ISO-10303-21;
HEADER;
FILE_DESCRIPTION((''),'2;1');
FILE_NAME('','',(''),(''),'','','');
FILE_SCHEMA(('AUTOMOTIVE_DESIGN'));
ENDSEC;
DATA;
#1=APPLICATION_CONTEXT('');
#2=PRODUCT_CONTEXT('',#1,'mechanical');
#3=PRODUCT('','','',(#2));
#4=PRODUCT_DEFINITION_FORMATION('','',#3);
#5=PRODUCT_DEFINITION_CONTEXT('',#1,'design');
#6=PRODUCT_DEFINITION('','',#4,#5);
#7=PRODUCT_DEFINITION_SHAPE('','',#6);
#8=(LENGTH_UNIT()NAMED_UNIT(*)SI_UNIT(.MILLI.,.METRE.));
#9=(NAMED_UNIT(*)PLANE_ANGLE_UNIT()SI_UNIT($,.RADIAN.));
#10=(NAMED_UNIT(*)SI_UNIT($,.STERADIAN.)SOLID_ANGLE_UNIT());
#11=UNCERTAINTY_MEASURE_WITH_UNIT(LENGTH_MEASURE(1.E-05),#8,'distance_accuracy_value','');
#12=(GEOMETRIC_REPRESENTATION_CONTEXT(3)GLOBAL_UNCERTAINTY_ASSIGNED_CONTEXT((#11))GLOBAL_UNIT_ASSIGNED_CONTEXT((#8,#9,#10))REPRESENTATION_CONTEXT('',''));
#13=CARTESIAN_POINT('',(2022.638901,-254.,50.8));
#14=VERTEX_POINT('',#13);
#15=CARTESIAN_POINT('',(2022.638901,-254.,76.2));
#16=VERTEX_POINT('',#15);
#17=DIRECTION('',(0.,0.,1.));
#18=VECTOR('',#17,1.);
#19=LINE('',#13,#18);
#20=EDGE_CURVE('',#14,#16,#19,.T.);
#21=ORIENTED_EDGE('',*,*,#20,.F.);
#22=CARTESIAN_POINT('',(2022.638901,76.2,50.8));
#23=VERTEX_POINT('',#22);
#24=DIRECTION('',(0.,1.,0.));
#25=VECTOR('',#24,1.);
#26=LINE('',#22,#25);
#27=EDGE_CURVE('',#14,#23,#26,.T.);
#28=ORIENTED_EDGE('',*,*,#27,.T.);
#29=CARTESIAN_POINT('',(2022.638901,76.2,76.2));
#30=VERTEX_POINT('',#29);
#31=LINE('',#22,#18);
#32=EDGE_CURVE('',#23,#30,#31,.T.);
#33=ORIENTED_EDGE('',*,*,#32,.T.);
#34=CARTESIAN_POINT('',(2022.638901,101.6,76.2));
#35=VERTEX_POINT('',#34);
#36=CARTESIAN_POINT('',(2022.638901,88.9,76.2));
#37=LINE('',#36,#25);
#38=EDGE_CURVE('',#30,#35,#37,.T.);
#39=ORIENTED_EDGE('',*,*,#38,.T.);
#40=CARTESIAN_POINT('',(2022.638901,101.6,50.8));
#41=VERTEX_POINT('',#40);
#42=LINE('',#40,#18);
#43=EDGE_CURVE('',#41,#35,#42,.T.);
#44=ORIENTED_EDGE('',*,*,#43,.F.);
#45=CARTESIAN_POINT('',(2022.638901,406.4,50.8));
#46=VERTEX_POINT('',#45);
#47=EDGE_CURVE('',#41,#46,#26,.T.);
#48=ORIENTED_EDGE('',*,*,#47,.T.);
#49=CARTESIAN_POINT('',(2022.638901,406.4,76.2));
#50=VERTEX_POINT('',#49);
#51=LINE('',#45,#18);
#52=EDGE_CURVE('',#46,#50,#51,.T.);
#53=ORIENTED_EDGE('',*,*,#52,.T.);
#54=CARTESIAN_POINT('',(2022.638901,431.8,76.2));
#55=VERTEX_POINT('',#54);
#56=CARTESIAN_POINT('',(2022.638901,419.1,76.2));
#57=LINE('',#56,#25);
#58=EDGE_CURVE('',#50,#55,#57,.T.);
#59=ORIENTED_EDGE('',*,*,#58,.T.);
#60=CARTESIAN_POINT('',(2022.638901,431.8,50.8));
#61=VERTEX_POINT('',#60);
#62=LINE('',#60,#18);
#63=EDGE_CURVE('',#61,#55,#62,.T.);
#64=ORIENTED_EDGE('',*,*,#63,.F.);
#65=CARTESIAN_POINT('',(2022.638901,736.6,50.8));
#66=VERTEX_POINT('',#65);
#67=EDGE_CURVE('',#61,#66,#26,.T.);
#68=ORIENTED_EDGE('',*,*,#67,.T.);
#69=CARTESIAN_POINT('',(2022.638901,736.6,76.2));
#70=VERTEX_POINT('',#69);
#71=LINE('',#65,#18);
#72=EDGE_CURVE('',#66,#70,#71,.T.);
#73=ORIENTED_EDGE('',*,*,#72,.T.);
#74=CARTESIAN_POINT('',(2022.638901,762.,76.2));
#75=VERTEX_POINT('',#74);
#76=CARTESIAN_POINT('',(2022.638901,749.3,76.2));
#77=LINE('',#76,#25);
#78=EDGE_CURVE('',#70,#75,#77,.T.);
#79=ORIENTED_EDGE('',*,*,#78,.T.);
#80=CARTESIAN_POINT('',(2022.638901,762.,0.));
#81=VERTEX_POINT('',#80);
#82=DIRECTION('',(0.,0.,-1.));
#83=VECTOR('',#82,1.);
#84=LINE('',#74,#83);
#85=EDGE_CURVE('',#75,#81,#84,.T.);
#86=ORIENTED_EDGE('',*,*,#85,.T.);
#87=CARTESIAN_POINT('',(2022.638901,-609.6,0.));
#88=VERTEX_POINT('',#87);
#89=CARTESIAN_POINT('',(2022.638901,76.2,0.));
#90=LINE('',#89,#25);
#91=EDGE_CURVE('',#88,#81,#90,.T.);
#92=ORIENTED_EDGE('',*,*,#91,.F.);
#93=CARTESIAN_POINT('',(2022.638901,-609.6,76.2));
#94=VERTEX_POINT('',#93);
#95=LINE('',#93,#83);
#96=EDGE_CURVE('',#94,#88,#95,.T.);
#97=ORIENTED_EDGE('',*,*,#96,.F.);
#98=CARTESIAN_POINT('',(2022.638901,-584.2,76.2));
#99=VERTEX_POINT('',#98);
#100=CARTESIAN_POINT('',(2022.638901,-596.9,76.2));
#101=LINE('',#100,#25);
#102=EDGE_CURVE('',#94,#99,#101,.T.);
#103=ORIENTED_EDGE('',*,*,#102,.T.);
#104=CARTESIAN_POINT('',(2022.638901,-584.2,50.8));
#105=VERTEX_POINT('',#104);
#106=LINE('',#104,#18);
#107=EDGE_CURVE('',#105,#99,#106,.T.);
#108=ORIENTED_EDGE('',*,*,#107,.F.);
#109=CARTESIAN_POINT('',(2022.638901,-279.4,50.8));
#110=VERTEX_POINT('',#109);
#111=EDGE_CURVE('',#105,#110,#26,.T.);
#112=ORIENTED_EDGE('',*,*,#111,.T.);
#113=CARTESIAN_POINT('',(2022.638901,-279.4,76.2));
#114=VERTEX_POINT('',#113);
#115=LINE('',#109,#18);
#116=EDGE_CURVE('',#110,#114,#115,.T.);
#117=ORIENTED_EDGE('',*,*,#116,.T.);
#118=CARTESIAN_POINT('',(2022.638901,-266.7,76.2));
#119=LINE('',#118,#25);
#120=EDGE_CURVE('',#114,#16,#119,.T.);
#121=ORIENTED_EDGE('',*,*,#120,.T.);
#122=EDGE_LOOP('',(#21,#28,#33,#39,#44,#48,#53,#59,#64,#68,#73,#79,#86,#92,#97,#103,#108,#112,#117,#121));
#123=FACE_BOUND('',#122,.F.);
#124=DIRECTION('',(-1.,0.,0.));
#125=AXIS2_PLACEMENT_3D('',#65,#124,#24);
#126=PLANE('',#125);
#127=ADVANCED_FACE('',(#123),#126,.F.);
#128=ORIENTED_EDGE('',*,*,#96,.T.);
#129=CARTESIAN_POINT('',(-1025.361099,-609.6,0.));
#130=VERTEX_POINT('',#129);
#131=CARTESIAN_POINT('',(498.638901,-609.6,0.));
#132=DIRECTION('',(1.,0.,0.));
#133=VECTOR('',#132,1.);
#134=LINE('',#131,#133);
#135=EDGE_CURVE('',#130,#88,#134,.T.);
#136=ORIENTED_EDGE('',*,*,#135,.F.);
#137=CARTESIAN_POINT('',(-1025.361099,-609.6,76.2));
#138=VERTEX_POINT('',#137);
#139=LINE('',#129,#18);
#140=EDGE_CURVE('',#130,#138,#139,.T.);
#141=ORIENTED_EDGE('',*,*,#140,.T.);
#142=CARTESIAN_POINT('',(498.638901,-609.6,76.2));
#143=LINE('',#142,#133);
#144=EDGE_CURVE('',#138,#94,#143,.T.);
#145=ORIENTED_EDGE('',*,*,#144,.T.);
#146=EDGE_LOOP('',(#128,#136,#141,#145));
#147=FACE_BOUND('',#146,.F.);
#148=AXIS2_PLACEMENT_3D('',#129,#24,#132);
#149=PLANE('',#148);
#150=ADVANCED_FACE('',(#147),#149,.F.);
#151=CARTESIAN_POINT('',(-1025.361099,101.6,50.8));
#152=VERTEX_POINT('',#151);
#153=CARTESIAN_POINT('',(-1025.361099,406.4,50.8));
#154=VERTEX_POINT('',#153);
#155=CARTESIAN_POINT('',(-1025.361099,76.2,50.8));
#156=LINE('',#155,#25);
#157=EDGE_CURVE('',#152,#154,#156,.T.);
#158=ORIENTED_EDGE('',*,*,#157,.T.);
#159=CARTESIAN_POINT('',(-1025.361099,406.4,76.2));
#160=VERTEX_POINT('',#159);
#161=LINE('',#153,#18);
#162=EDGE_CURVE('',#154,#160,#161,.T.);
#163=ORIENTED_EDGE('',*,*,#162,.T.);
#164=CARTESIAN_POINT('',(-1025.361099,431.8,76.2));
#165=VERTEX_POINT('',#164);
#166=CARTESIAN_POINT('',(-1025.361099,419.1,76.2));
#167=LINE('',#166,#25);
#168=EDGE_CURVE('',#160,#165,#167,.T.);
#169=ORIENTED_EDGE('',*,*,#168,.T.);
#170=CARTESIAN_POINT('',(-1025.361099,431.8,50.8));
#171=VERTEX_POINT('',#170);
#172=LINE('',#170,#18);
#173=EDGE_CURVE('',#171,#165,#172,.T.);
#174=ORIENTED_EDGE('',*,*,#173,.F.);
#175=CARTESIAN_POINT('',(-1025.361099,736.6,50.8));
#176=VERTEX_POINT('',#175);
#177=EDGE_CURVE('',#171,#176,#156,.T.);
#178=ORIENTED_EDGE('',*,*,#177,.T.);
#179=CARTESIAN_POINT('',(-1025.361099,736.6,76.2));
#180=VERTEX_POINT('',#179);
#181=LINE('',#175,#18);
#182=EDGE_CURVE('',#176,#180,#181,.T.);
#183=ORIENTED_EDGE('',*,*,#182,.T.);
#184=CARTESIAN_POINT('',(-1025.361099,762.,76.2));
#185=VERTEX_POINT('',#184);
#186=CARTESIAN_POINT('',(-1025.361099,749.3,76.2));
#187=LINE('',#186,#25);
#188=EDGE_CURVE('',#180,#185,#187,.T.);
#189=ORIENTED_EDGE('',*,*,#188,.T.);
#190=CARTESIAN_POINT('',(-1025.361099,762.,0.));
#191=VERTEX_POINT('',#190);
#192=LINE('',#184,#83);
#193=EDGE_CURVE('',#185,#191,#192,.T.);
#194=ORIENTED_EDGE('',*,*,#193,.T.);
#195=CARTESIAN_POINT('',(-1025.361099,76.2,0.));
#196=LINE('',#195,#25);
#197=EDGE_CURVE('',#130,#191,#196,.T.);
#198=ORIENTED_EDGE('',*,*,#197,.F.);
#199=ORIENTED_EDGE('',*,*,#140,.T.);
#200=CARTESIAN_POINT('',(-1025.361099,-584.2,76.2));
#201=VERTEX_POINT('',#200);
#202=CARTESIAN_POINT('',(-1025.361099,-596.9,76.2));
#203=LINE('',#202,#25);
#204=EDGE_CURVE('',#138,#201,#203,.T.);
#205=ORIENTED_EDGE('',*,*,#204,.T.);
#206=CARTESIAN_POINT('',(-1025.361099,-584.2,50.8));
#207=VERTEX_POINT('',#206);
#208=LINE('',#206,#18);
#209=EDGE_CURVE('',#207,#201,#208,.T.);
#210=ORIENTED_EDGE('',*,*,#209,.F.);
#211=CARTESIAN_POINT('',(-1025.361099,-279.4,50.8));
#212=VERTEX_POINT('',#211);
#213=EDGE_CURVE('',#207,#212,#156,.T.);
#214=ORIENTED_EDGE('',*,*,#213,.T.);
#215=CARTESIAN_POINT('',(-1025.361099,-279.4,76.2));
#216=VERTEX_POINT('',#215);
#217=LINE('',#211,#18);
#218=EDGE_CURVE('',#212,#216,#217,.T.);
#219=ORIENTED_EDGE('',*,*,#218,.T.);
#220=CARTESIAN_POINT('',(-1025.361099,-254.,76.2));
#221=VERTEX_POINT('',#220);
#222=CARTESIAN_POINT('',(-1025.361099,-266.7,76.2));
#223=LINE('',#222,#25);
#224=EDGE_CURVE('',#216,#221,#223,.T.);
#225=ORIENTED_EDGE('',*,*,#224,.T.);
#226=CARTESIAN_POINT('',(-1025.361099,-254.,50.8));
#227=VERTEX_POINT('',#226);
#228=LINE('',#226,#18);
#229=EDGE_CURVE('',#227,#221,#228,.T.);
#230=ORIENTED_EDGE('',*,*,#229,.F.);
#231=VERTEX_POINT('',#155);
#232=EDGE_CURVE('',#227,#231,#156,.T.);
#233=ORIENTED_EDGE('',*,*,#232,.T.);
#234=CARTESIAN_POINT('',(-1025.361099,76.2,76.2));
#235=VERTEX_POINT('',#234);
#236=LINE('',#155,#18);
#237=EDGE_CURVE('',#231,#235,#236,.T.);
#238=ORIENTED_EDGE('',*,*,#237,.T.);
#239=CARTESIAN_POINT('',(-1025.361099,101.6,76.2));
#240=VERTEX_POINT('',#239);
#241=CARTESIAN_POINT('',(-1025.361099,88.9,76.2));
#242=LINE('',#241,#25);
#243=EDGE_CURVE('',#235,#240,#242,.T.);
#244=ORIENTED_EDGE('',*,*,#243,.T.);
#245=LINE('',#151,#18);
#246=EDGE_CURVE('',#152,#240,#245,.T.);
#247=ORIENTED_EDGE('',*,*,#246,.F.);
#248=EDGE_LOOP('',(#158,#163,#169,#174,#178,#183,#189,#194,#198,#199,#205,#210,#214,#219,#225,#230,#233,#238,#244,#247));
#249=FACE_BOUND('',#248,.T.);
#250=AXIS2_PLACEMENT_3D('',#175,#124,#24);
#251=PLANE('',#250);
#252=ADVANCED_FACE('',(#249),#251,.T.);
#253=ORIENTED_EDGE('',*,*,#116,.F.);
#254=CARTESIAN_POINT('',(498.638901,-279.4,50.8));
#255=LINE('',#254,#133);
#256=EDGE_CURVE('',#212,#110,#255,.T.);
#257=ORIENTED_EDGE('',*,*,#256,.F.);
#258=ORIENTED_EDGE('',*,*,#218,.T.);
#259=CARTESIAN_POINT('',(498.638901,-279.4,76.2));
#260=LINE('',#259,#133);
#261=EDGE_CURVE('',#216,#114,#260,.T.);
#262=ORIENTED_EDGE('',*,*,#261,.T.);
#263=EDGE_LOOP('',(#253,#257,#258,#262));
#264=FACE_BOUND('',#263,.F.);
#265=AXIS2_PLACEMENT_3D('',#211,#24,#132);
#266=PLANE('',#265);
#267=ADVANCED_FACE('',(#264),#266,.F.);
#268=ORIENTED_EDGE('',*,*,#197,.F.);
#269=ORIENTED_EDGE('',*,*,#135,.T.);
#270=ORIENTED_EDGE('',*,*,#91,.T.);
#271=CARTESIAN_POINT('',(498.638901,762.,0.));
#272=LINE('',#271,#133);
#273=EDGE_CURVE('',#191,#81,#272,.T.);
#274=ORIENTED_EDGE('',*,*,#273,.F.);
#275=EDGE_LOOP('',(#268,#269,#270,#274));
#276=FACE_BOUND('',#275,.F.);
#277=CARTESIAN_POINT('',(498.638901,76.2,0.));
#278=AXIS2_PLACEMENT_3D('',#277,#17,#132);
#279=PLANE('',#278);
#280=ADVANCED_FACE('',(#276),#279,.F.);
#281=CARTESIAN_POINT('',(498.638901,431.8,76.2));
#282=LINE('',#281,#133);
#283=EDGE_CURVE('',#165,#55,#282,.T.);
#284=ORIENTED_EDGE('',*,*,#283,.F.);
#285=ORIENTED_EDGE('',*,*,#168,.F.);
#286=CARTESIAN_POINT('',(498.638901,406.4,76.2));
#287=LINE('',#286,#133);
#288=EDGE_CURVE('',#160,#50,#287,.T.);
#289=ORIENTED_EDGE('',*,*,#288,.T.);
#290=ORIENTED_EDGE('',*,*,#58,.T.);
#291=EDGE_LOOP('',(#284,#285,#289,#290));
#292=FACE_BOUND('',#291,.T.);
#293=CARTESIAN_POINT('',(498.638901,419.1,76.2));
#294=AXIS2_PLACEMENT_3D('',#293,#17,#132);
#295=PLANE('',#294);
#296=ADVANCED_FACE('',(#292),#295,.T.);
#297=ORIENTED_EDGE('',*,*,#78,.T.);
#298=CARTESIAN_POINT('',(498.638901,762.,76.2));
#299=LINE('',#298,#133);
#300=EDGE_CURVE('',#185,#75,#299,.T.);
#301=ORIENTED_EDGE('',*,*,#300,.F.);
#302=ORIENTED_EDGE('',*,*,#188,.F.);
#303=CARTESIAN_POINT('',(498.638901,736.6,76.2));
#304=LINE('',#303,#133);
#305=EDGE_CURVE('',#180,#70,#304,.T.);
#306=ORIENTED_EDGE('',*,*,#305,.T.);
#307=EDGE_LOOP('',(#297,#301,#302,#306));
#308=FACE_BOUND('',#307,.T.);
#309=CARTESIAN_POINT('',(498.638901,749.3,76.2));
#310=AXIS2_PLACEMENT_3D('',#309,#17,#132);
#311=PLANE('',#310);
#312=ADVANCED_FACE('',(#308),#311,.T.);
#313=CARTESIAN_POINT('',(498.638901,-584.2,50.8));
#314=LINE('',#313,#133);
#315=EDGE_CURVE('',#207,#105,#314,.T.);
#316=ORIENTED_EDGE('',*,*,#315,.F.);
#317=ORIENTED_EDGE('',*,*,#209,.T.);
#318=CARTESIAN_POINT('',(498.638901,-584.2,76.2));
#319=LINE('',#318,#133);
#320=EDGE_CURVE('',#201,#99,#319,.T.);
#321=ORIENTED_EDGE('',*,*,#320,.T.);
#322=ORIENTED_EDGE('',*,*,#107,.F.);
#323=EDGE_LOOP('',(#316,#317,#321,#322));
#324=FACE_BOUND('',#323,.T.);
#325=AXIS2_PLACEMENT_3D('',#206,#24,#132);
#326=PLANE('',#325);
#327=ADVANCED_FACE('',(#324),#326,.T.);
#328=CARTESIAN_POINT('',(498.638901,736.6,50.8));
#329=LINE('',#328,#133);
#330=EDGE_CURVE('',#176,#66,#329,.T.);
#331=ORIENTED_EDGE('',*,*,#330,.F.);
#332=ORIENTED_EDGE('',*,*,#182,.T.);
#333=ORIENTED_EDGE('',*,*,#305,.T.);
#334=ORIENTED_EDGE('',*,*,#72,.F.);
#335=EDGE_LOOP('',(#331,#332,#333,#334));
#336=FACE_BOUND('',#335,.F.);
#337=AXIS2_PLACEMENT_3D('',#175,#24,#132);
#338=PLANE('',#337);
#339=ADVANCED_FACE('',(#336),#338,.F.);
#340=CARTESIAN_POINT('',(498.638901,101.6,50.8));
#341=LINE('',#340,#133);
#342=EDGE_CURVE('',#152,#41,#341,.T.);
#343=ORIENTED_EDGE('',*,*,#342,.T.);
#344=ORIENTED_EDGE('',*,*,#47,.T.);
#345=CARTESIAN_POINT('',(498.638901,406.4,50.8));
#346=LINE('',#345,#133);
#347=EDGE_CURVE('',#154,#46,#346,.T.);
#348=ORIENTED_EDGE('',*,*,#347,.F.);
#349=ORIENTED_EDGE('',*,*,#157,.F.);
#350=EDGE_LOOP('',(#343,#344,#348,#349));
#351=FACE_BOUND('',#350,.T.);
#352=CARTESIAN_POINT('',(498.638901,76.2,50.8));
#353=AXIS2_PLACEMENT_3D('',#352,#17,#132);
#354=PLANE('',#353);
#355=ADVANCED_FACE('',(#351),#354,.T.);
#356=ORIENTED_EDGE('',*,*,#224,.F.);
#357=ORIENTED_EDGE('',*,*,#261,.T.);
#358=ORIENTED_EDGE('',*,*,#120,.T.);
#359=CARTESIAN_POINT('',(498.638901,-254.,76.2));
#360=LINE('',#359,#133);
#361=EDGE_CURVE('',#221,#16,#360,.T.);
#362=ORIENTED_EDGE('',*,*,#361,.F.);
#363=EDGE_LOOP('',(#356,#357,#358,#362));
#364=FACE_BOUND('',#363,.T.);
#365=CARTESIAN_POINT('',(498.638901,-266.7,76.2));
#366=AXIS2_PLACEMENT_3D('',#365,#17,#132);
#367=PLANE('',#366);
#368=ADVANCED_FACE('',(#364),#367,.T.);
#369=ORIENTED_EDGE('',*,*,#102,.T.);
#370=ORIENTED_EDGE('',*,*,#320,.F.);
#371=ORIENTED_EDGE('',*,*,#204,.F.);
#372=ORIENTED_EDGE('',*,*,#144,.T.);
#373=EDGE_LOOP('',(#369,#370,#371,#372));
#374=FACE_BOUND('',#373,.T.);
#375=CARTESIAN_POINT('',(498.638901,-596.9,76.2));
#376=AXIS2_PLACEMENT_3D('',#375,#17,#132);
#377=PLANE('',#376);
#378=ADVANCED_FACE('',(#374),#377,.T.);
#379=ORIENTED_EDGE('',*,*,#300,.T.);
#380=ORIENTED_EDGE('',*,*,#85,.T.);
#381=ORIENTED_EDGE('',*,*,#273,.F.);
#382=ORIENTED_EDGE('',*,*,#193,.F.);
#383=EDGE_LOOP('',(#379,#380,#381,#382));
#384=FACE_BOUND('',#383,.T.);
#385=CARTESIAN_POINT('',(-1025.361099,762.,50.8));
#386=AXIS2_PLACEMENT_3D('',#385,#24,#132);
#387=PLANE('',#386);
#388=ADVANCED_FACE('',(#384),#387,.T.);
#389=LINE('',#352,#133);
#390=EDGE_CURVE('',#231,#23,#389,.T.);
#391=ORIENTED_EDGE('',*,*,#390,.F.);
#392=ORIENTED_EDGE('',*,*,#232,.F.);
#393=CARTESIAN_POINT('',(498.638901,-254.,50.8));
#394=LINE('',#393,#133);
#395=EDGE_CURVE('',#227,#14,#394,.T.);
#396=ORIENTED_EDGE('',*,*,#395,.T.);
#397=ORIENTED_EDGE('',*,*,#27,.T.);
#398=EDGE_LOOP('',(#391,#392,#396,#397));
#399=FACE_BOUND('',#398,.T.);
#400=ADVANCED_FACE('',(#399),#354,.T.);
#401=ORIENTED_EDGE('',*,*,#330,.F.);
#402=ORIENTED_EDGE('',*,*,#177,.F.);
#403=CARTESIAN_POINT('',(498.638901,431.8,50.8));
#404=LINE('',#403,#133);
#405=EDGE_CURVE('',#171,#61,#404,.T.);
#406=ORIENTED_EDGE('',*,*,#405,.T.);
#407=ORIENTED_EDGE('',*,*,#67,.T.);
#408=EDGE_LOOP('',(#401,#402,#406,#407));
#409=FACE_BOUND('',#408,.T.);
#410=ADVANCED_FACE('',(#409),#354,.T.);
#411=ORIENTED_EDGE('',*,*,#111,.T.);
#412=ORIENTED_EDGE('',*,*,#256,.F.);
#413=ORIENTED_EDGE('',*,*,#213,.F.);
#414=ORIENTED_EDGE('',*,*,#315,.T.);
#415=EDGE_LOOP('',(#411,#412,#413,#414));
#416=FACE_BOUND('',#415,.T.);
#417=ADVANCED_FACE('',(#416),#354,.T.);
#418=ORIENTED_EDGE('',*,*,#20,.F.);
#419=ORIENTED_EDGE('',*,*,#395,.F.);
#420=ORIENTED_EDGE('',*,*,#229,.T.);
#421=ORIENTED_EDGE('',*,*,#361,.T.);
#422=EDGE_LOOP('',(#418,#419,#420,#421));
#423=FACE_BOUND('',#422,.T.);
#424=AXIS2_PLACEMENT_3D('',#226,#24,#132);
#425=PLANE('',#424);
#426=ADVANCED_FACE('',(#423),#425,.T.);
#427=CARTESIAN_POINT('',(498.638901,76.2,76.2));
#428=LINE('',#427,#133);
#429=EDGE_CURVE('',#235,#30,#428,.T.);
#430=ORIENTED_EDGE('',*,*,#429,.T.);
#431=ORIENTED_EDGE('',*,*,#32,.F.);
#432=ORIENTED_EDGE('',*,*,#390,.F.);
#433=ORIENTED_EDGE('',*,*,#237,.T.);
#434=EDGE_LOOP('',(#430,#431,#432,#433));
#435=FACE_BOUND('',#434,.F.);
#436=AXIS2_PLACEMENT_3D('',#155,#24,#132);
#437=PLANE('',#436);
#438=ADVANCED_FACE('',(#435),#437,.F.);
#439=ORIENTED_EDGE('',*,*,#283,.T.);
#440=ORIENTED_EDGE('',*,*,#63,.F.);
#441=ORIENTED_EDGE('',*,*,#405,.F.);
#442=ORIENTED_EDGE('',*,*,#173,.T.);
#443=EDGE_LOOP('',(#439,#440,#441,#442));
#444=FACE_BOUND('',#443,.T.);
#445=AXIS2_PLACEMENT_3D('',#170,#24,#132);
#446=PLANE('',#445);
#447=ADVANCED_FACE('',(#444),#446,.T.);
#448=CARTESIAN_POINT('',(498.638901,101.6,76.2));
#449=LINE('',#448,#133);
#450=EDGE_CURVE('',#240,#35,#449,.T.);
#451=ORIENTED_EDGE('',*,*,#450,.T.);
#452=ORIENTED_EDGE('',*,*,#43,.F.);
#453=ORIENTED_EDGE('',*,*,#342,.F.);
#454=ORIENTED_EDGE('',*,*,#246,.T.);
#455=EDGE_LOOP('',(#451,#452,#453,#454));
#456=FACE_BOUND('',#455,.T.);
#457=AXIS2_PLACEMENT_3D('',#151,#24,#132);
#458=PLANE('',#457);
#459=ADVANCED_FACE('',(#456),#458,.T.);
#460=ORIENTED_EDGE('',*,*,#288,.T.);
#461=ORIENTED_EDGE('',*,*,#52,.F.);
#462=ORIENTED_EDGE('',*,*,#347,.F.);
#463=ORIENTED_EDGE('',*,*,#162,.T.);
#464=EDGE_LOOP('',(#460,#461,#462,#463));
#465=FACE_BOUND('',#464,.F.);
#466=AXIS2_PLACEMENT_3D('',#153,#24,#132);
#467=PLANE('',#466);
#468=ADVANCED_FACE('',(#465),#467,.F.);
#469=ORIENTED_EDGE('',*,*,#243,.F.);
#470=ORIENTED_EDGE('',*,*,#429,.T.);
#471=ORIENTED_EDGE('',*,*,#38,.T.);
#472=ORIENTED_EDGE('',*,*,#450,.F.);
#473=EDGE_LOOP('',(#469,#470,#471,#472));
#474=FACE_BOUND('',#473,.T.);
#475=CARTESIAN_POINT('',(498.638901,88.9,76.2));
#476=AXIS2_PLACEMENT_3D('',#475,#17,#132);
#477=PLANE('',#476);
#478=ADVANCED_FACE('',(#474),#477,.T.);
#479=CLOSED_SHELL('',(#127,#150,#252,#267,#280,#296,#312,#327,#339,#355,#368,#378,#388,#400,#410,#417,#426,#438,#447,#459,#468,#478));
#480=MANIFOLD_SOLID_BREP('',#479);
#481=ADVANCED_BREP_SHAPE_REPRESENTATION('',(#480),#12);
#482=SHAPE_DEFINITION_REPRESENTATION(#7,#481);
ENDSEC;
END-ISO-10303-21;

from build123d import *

# Parameters (mm, degrees)
F0_W     = 3048
F0_H     = 1371.6
F1_DEPTH = 50.8
F2_W     = 3048
F2_H     = 25.4
F3_DEPTH = 25.4


with BuildPart() as f1:
    # F0 (on Top) → F1 (new body)
    with BuildSketch(Plane.XY):
        with Locations((498.638901, 76.2)):
            Rectangle(F0_W, F0_H)
    extrude(amount=F1_DEPTH)

    # F2 (on face) → F3 (join)
    with BuildSketch(Plane.XY.offset(50.8)):
        with Locations((498.638901, 749.3)):
            Rectangle(F2_W, F2_H)
        with Locations((498.638901, 419.1)):
            Rectangle(F2_W, F2_H)
        with Locations((498.638901, 88.9)):
            Rectangle(F2_W, F2_H)
        with Locations((498.638901, -266.7)):
            Rectangle(F2_W, F2_H)
        with Locations((498.638901, -596.9)):
            Rectangle(F2_W, F2_H)
    extrude(amount=F3_DEPTH)


solid = f1.part
